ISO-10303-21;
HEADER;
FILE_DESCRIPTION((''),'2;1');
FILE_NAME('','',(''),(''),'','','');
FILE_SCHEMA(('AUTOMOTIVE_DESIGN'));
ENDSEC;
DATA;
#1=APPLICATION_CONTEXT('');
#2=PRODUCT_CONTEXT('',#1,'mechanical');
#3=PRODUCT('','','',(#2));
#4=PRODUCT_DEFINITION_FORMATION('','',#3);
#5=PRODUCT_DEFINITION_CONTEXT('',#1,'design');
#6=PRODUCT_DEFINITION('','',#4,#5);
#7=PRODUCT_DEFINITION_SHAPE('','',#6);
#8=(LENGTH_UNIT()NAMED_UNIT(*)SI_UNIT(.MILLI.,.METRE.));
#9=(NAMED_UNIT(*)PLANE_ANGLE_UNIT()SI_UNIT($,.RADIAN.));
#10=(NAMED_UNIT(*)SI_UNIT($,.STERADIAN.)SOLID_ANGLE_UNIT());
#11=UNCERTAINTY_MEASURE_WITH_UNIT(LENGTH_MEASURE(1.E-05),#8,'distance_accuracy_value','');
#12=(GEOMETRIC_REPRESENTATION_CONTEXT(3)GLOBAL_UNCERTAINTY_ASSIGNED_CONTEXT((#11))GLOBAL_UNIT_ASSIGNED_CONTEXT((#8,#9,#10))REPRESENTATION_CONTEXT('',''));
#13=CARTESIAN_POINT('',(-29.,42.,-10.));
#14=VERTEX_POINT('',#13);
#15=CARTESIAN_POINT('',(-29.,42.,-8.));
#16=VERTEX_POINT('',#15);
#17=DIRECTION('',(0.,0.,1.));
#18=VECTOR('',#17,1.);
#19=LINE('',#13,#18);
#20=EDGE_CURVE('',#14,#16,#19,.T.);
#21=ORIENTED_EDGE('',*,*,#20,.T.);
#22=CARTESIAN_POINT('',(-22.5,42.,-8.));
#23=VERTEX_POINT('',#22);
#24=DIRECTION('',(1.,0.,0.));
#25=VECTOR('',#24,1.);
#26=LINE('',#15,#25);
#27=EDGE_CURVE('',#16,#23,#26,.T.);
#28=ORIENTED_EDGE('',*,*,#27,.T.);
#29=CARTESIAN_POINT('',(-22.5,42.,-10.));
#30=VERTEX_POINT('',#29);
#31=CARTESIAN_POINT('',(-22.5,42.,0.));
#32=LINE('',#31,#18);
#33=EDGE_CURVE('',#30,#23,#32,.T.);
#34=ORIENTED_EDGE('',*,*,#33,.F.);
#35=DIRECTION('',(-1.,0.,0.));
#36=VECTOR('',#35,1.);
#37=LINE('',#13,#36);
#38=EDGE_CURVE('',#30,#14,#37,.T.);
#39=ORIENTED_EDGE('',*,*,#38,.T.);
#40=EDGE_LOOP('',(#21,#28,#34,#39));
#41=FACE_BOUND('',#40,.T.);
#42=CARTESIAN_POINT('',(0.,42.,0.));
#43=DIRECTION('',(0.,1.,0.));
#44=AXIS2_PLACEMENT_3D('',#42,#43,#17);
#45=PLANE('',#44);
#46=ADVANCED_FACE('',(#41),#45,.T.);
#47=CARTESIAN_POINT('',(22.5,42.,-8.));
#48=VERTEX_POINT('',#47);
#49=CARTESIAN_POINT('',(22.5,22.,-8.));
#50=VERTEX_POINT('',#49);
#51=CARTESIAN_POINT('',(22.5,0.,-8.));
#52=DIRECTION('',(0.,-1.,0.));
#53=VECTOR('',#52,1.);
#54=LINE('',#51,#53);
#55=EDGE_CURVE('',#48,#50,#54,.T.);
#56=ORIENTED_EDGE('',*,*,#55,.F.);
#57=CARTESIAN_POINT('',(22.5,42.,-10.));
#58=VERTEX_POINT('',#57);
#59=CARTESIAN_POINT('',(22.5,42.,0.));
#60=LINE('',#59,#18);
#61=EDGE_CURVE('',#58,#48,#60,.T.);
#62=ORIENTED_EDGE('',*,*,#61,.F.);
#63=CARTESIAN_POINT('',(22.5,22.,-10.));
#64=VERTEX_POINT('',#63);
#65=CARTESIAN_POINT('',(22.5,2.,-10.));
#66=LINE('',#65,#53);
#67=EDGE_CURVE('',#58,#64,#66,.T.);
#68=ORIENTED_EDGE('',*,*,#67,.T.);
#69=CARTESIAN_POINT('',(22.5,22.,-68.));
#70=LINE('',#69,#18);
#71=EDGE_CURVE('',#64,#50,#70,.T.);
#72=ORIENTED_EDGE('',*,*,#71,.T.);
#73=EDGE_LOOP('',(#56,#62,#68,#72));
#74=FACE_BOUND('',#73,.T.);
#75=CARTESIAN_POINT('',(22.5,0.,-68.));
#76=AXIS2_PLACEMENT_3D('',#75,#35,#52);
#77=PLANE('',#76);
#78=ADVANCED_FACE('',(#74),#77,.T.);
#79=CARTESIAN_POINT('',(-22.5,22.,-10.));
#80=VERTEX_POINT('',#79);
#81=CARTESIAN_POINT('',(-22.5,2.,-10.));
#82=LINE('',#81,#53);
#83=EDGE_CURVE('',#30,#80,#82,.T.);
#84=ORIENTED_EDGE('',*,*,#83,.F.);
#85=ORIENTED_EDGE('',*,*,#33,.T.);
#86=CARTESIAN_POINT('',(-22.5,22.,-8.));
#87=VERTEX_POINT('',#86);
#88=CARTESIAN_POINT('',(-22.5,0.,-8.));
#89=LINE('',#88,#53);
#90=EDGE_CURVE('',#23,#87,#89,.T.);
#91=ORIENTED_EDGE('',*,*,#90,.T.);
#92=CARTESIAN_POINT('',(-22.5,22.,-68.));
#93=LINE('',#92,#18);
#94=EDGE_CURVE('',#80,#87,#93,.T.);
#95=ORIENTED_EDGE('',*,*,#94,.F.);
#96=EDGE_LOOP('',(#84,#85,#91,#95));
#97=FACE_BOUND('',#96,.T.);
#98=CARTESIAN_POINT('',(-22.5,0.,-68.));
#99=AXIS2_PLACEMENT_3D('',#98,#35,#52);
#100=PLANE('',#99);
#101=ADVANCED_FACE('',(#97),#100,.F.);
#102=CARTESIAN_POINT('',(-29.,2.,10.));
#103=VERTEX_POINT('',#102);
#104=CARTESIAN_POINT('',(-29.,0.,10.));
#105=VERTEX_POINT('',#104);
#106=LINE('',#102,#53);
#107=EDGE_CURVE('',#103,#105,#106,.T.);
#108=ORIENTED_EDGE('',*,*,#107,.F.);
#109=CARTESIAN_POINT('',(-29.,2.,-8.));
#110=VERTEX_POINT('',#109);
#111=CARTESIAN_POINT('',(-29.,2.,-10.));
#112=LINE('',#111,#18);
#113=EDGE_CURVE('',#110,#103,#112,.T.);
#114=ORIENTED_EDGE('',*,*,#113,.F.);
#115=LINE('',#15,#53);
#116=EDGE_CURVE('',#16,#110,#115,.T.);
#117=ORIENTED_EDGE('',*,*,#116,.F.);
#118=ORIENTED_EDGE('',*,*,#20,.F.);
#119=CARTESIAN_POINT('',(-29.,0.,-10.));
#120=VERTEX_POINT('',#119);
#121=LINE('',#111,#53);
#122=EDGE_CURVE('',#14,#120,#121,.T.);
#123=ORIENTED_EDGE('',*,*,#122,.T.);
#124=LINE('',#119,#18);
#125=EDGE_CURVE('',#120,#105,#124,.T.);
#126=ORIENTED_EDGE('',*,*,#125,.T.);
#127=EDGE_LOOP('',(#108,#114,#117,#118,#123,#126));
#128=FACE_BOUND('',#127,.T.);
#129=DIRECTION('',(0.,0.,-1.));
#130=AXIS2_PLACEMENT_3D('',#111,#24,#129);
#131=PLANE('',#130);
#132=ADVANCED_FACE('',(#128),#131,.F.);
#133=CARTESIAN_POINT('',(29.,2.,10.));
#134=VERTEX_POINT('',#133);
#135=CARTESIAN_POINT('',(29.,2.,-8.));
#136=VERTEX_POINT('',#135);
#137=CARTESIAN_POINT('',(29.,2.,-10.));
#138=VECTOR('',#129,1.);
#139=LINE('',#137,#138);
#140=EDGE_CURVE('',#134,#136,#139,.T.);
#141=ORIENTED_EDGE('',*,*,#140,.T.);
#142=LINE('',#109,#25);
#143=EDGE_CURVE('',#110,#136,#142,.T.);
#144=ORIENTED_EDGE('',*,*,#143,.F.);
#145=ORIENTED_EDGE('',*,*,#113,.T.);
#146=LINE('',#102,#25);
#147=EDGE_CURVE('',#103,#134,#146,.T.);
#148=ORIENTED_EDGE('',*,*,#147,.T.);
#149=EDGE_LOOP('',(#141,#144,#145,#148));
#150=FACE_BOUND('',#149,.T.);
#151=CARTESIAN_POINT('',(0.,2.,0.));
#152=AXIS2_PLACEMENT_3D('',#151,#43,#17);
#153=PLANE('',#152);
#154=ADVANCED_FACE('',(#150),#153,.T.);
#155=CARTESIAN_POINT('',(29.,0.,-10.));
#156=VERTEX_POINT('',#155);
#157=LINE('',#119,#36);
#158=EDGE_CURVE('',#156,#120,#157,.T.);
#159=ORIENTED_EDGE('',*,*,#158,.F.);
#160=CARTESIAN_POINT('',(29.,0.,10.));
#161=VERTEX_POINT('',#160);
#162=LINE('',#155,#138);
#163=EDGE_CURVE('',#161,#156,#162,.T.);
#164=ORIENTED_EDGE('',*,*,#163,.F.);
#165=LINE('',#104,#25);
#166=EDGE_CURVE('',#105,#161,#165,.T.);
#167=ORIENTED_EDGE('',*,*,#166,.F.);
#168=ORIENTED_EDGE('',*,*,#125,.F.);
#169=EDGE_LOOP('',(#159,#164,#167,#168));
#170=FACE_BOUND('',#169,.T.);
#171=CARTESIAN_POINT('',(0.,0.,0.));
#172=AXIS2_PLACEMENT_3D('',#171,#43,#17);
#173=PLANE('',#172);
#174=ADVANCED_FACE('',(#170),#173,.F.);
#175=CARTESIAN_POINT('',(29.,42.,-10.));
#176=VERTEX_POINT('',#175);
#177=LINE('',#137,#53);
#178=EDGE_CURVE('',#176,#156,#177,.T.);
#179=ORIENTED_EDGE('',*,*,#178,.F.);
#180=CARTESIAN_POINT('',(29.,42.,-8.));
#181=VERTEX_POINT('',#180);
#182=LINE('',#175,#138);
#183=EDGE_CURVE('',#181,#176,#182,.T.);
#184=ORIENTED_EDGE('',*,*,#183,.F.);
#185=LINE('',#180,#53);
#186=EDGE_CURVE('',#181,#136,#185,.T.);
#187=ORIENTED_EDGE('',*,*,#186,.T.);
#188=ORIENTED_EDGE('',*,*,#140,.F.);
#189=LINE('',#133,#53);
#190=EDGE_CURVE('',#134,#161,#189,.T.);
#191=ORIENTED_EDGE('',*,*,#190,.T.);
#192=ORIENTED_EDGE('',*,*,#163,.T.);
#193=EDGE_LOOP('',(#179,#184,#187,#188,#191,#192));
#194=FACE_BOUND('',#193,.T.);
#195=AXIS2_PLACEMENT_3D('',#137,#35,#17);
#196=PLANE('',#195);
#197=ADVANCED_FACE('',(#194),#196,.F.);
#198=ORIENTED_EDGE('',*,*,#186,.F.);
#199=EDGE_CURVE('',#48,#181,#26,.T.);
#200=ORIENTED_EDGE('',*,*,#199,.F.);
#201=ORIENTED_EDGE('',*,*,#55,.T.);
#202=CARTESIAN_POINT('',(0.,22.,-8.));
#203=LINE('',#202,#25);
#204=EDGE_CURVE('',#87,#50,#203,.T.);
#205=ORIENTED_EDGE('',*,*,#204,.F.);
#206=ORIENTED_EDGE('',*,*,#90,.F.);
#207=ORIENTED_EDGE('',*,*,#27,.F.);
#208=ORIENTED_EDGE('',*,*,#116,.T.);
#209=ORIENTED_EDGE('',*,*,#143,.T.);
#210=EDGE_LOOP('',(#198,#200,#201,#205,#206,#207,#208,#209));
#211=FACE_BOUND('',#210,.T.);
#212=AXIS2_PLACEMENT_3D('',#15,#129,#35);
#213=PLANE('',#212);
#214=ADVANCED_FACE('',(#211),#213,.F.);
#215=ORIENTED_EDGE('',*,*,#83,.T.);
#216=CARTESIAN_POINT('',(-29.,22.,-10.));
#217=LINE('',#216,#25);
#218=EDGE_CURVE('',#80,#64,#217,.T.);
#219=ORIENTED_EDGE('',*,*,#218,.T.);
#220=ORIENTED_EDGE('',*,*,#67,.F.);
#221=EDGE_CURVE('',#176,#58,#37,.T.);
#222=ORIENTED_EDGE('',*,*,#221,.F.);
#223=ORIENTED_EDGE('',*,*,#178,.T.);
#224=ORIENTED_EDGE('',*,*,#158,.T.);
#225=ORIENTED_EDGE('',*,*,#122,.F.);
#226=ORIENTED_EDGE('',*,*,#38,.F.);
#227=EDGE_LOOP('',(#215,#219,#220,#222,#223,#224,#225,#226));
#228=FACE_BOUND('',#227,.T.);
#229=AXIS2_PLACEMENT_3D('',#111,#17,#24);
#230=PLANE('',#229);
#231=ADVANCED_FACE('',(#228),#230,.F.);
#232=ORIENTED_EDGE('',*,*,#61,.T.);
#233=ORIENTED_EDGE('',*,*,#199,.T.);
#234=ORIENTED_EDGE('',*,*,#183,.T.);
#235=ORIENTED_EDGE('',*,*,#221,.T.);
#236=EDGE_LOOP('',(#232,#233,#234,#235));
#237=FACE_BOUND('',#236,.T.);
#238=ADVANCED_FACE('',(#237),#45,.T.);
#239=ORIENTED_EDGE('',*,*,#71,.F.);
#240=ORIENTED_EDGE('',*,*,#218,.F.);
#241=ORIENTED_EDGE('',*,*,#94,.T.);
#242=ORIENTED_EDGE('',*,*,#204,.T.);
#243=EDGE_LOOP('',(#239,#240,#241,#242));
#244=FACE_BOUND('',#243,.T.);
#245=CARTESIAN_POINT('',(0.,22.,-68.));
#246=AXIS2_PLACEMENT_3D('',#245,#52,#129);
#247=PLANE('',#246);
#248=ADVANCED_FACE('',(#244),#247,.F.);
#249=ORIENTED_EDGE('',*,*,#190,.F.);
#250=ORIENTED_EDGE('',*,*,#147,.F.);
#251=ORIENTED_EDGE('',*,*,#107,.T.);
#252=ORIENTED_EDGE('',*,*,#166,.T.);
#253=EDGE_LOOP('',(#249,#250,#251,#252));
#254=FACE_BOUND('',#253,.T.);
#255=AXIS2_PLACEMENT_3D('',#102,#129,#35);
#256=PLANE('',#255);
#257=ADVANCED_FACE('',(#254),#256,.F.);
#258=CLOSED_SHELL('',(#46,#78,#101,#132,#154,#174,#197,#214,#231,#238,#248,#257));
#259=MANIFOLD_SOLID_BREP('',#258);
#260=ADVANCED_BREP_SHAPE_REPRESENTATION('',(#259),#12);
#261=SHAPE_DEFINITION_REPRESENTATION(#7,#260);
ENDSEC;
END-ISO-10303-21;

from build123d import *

# Parameters (mm, degrees)
SKETCH1_W           = 58
SKETCH1_H           = 20
BOSS_EXTRUDE1_DEPTH = 2
SKETCH2_W           = 58
SKETCH2_H           = 2
BOSS_EXTRUDE2_DEPTH = 40
SKETCH3_W           = 45
SKETCH3_H           = 20
CUT_EXTRUDE1_DEPTH  = 60


with BuildPart() as part:
    # Sketch1 → Boss-Extrude1 (new body)
    with BuildSketch(Plane(origin=(0, 0, 0), x_dir=(1, 0, 0), z_dir=(0, 1, 0))):
        Rectangle(SKETCH1_W, SKETCH1_H)
    extrude(amount=BOSS_EXTRUDE1_DEPTH)

    # Sketch2 → Boss-Extrude2 (add)
    with BuildSketch(Plane(origin=(0, 2, 0), x_dir=(1, 0, 0), z_dir=(0, 1, 0))):
        with Locations((0, 9)):
            Rectangle(SKETCH2_W, SKETCH2_H)
    extrude(amount=BOSS_EXTRUDE2_DEPTH)

    # Sketch3 → Cut-Extrude1 (cut)
    with BuildSketch(Plane.XY.offset(-8)):
        with Locations((0, 32)):
            Rectangle(SKETCH3_W, SKETCH3_H)
    extrude(amount=-CUT_EXTRUDE1_DEPTH, mode=Mode.SUBTRACT)


solid = part.part
